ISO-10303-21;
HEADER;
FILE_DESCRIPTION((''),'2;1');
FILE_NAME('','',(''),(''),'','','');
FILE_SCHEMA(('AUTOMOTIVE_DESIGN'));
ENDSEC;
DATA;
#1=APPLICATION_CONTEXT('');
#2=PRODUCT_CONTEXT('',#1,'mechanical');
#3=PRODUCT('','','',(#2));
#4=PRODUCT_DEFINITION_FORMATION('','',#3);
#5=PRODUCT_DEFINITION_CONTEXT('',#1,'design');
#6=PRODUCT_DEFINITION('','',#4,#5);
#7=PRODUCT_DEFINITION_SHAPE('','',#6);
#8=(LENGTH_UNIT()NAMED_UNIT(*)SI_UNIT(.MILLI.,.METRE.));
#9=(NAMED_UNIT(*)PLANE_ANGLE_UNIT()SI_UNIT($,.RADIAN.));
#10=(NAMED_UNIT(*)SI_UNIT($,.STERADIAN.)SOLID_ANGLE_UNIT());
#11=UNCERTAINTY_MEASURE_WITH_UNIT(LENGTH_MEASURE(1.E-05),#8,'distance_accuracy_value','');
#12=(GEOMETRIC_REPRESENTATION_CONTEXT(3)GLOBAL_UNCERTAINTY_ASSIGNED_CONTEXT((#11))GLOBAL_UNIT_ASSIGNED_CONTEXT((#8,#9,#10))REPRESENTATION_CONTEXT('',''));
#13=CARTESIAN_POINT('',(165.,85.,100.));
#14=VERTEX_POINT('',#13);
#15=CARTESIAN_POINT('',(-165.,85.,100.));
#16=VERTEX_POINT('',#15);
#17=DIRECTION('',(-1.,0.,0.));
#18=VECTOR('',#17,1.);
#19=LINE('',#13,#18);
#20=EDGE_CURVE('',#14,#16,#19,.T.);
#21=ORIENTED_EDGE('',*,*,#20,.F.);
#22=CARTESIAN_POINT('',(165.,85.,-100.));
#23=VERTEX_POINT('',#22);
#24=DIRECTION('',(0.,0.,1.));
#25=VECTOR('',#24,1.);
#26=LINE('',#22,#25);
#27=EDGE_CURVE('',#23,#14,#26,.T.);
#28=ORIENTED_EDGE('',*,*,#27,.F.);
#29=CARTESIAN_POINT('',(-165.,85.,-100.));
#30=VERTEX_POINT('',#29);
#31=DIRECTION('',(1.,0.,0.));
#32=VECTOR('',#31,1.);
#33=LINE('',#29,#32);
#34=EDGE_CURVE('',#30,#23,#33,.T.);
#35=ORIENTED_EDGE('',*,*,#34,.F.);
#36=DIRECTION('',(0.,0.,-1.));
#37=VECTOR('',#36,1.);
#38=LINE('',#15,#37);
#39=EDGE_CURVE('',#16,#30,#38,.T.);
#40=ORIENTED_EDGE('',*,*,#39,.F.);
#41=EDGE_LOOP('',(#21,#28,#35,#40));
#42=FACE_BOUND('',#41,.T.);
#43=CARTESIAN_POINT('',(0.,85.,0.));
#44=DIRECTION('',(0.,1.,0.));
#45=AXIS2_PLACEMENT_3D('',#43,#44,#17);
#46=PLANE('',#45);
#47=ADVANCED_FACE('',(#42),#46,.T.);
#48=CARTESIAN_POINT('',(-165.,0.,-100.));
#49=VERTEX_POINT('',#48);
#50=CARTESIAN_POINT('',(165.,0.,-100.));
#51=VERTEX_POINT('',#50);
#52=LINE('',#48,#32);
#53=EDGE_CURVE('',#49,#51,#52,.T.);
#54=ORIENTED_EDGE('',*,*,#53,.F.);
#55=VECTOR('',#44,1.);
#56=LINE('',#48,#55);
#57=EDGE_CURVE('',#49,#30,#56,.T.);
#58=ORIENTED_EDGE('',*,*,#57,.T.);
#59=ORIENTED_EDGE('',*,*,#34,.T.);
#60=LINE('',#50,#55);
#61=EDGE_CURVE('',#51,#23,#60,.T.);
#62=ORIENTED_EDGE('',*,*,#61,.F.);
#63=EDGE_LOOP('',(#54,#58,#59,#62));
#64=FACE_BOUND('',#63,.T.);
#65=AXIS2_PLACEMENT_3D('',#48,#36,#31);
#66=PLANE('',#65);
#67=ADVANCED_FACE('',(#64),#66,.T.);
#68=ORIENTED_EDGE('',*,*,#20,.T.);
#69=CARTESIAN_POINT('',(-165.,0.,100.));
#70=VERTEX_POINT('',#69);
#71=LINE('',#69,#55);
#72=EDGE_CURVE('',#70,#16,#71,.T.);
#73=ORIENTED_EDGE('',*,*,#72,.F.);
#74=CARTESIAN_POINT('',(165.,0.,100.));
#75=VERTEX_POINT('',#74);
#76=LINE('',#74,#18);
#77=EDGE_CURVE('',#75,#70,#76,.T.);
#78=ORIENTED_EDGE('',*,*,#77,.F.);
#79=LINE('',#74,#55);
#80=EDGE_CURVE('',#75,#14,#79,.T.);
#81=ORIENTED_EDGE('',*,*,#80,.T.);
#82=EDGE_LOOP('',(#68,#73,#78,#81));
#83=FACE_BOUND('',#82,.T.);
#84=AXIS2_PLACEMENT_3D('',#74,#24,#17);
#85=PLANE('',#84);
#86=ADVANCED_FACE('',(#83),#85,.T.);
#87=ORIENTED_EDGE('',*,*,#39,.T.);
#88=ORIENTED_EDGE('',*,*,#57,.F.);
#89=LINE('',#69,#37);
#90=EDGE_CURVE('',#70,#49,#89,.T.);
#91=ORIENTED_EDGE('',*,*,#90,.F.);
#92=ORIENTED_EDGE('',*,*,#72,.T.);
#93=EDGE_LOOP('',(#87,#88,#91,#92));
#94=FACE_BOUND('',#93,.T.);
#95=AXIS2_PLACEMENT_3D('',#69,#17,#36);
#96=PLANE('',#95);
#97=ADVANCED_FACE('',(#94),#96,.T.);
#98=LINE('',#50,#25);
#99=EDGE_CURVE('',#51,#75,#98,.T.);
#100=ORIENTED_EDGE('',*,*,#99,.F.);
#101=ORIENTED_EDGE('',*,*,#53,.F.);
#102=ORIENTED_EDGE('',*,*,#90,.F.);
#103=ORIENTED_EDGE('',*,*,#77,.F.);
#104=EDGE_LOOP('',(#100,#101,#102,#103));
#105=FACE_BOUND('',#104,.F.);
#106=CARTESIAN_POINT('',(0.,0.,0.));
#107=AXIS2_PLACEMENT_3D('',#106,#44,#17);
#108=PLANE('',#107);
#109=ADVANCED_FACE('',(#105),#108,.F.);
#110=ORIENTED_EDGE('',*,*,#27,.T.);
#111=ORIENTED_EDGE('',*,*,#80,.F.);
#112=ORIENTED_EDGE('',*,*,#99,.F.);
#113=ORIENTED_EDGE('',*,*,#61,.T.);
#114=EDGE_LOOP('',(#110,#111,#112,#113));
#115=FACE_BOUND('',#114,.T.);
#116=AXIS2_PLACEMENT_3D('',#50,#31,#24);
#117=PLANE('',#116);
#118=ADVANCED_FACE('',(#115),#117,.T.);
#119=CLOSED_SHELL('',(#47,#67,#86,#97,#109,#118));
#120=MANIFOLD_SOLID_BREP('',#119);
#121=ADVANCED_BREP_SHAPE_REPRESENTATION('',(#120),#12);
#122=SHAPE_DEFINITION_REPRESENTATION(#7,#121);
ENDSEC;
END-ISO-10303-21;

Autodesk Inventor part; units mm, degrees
ref_plane "YZ Plane" through (0, 0, 0) normal (1, 0, 0) x (0, 1, 0)
ref_plane "XZ Plane" through (0, 0, 0) normal (0, 1, 0) x (-1, 0, 0)
ref_plane "XY Plane" through (0, 0, 0) normal (0, 0, 1) x (1, 0, 0)
sketch "Sketch1" plane through (0, 0, 0) normal (0, 1, 0) x (-1, 0, 0)
  line L0 (165, -100) -> (-165, -100)
  line L1 (-165, -100) -> (-165, 100)
  line L2 (-165, 100) -> (165, 100)
  line L3 (165, 100) -> (165, -100)
  line L4 (165, -100) -> (-165, 100) construction
  line L5 (-165, -100) -> (165, 100) construction
  point P0 (0, 0)
  dimension "d0" = 200
  dimension "d1" = 330
extrude "Extrusion1" add sketch "Sketch1" along normal blind 85
properties part number "test"
